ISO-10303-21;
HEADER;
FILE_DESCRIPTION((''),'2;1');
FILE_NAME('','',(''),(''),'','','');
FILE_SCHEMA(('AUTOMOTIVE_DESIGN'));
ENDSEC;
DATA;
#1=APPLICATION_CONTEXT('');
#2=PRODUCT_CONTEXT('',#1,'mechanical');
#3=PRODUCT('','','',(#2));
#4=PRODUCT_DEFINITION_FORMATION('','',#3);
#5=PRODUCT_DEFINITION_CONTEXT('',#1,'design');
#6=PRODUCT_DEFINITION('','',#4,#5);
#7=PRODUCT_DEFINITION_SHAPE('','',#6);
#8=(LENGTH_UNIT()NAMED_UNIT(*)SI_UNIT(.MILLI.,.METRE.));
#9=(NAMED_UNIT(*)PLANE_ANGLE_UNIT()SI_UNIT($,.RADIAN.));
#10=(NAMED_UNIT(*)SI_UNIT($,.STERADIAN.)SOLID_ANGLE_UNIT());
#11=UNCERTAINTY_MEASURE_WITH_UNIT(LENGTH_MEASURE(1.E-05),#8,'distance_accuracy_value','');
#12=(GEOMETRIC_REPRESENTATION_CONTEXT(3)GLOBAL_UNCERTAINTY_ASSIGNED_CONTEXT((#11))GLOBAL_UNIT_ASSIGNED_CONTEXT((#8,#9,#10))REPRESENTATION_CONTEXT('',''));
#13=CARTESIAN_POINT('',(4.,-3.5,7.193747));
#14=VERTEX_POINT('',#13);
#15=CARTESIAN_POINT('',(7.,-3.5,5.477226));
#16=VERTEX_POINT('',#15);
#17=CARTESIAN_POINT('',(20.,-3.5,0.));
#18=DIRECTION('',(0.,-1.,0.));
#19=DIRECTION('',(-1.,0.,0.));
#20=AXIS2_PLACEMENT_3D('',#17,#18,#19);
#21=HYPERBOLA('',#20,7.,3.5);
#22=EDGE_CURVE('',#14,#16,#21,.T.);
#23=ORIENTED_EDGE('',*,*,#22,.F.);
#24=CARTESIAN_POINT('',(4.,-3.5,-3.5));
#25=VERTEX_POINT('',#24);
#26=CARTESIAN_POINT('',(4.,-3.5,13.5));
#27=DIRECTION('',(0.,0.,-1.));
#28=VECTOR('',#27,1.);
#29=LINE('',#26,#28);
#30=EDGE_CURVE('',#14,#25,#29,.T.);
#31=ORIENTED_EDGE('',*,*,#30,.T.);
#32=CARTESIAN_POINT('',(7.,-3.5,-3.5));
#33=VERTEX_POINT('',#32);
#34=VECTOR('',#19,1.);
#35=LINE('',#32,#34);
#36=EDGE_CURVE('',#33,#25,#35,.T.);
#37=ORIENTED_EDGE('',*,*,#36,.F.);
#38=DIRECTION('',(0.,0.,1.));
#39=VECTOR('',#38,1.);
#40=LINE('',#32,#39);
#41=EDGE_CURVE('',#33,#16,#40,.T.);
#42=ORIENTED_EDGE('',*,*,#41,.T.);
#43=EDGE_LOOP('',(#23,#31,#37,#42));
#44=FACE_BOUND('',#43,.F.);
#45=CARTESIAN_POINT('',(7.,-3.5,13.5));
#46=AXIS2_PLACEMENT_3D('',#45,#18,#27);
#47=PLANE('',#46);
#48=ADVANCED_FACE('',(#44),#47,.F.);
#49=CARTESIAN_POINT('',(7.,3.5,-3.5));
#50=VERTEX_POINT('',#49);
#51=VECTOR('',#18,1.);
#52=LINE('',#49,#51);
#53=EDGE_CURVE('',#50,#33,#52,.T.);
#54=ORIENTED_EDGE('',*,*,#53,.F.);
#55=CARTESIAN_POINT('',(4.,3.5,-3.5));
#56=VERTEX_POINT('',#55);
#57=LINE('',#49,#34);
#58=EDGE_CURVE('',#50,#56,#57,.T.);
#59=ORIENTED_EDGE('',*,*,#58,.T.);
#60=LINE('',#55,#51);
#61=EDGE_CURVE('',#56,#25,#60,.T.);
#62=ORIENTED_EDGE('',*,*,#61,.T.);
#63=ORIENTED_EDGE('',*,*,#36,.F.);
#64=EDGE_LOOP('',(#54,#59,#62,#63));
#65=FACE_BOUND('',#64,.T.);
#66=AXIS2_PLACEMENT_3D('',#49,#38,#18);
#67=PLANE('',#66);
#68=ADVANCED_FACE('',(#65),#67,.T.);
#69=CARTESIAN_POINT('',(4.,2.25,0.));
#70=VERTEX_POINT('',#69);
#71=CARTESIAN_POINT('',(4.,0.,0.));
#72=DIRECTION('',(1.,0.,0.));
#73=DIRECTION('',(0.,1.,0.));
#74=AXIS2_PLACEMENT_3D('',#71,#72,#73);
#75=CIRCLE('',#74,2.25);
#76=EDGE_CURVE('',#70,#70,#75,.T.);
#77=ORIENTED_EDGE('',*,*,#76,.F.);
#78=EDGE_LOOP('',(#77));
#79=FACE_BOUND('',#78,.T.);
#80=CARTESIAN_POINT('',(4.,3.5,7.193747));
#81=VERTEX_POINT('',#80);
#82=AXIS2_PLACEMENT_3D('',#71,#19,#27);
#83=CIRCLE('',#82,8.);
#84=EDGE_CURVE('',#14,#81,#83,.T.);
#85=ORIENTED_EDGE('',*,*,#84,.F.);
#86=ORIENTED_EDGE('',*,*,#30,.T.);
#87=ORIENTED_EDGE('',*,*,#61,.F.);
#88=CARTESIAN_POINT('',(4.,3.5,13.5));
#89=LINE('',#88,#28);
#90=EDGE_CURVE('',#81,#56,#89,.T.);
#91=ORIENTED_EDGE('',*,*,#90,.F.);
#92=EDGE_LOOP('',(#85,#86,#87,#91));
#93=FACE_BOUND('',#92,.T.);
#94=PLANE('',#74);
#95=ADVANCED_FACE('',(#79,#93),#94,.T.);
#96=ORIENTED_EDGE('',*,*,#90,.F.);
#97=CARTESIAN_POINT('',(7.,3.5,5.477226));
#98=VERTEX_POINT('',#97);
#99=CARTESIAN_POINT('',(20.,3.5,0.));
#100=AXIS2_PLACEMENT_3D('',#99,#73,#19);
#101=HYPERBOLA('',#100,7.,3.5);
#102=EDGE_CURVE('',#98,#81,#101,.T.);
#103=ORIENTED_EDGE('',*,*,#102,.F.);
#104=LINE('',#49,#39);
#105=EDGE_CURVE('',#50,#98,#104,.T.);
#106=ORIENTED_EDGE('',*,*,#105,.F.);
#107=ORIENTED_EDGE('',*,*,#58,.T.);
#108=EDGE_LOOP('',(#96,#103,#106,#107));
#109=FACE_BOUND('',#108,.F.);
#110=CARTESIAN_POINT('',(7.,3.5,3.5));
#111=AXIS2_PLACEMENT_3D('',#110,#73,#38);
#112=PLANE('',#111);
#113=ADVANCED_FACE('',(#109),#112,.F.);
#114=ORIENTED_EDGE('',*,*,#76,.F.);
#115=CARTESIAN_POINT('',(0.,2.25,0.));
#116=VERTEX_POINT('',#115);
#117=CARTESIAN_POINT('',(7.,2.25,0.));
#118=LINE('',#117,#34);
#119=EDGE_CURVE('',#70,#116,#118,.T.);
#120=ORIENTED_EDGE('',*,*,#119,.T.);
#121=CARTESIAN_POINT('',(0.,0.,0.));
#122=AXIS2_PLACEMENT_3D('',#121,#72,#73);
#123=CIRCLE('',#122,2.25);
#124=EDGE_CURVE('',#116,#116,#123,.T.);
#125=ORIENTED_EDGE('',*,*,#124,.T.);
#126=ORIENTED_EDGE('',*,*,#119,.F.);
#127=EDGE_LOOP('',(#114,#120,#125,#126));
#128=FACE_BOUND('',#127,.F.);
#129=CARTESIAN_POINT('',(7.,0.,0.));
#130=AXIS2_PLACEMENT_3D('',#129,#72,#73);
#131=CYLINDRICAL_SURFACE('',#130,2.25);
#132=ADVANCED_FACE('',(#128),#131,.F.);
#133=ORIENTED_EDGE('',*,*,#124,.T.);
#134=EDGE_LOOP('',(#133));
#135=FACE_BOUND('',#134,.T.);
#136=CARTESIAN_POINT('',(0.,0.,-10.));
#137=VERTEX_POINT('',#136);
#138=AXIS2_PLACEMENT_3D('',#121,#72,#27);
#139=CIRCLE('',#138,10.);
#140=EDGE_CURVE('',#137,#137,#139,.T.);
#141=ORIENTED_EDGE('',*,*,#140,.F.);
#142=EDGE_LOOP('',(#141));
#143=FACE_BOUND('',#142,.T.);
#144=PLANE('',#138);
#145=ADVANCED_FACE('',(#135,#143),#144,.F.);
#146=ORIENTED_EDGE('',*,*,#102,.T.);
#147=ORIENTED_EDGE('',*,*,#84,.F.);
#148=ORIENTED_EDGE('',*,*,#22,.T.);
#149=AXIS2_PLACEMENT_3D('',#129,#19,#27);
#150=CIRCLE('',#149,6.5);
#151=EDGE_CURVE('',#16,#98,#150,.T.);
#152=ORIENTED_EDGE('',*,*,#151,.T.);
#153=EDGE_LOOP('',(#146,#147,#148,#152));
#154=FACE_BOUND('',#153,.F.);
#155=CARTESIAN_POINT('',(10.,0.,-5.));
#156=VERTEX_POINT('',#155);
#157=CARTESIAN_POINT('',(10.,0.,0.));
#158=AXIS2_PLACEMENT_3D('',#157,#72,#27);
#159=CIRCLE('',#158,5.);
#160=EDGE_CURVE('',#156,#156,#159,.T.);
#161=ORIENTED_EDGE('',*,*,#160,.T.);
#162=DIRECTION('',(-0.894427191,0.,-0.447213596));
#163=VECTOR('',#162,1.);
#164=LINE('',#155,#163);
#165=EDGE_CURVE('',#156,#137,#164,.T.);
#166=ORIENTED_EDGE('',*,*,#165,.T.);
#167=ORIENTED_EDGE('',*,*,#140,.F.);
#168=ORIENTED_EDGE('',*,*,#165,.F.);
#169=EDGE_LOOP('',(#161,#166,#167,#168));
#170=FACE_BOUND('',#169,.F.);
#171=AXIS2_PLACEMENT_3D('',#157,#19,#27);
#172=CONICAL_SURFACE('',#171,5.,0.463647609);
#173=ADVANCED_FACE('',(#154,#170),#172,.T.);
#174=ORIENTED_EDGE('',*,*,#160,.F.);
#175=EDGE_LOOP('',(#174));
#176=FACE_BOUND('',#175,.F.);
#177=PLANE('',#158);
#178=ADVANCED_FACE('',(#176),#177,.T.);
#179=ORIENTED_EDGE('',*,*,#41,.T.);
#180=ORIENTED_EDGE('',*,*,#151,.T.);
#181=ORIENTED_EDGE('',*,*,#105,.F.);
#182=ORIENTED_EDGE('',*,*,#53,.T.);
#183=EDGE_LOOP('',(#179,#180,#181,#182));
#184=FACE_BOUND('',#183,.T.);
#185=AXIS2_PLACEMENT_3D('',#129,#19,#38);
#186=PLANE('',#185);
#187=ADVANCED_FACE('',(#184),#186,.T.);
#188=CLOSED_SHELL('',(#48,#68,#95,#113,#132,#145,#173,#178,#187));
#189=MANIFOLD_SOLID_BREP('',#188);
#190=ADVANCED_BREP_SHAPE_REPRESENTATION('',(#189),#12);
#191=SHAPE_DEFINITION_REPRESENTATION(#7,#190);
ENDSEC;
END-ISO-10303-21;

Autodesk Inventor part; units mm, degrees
ref_plane "XZ Plane" through (0, 0, 0) normal (0, 1, 0) x (-1, 0, 0)
ref_plane "XY Plane" through (0, 0, 0) normal (0, 0, 1) x (1, 0, 0)
ref_plane "Work Plane1" through (7, 0, 0) normal (1, 0, 0) x (0, 1, 0)
sketch "Sketch1" plane through (0, 0, 0) normal (0, 1, 0) x (-1, 0, 0)
  line L0 (0, 0) -> (-10, 0)
  line L1 (0, 0) -> (0, -10)
  line L2 (-10, 0) -> (-10, -5)
  line L3 (-10, -5) -> (0, -10)
  dimension "d0" = 10
  dimension "d1" = 10
  dimension "d2" = 5
revolve "Revolution1" add sketch "Sketch1" angle 360 about axis through (0, 0, 0) along (1, 0, 0)
sketch "Sketch2" plane through (7, 0, 0) normal (1, 0, 0) x (0, 1, 0)
  circle A0 centre (0, 0) radius 2.25
  dimension "d5" = 4.5
extrude "Extrusion1" cut sketch "Sketch2" along normal blind 2 and the other way blind 10
sketch "Sketch3" plane through (7, 0, 0) normal (1, 0, 0) x (0, 1, 0)
  line L0 (-3.5, 3.5) -> (3.5, 3.5)
  line L1 (3.5, 3.5) -> (3.5, -3.5)
  line L2 (3.5, -3.5) -> (-3.5, -3.5)
  line L3 (-3.5, -3.5) -> (-3.5, 3.5)
  line L4 (-3.5, 3.5) -> (3.5, -3.5) construction
  line L5 (3.5, 3.5) -> (-3.5, -3.5) construction
  line L6 (-3.5, 3.5) -> (3.5, 3.5)
  line L7 (3.5, 3.5) -> (3.5, 13.5)
  line L8 (3.5, 13.5) -> (-3.5, 13.5)
  line L9 (-3.5, 13.5) -> (-3.5, 3.5)
  point P0 (0, 0)
  dimension "d18" = 7
  dimension "d19" = 7
  dimension "d20" = 7
  dimension "d21" = 10
extrude "Extrusion2" cut sketch "Sketch3" against normal blind 3
sketch "Sketch5" plane through (9, 0, 0) normal (-1, 0, 0) x (0, 0, 1)
  circle A0 centre (0, 0) radius 2.25 projected
extrude "Extrusion3" add sketch "Sketch5" along normal up to surface (2 mm away)
properties part number "stollen_m4_vierkant"
